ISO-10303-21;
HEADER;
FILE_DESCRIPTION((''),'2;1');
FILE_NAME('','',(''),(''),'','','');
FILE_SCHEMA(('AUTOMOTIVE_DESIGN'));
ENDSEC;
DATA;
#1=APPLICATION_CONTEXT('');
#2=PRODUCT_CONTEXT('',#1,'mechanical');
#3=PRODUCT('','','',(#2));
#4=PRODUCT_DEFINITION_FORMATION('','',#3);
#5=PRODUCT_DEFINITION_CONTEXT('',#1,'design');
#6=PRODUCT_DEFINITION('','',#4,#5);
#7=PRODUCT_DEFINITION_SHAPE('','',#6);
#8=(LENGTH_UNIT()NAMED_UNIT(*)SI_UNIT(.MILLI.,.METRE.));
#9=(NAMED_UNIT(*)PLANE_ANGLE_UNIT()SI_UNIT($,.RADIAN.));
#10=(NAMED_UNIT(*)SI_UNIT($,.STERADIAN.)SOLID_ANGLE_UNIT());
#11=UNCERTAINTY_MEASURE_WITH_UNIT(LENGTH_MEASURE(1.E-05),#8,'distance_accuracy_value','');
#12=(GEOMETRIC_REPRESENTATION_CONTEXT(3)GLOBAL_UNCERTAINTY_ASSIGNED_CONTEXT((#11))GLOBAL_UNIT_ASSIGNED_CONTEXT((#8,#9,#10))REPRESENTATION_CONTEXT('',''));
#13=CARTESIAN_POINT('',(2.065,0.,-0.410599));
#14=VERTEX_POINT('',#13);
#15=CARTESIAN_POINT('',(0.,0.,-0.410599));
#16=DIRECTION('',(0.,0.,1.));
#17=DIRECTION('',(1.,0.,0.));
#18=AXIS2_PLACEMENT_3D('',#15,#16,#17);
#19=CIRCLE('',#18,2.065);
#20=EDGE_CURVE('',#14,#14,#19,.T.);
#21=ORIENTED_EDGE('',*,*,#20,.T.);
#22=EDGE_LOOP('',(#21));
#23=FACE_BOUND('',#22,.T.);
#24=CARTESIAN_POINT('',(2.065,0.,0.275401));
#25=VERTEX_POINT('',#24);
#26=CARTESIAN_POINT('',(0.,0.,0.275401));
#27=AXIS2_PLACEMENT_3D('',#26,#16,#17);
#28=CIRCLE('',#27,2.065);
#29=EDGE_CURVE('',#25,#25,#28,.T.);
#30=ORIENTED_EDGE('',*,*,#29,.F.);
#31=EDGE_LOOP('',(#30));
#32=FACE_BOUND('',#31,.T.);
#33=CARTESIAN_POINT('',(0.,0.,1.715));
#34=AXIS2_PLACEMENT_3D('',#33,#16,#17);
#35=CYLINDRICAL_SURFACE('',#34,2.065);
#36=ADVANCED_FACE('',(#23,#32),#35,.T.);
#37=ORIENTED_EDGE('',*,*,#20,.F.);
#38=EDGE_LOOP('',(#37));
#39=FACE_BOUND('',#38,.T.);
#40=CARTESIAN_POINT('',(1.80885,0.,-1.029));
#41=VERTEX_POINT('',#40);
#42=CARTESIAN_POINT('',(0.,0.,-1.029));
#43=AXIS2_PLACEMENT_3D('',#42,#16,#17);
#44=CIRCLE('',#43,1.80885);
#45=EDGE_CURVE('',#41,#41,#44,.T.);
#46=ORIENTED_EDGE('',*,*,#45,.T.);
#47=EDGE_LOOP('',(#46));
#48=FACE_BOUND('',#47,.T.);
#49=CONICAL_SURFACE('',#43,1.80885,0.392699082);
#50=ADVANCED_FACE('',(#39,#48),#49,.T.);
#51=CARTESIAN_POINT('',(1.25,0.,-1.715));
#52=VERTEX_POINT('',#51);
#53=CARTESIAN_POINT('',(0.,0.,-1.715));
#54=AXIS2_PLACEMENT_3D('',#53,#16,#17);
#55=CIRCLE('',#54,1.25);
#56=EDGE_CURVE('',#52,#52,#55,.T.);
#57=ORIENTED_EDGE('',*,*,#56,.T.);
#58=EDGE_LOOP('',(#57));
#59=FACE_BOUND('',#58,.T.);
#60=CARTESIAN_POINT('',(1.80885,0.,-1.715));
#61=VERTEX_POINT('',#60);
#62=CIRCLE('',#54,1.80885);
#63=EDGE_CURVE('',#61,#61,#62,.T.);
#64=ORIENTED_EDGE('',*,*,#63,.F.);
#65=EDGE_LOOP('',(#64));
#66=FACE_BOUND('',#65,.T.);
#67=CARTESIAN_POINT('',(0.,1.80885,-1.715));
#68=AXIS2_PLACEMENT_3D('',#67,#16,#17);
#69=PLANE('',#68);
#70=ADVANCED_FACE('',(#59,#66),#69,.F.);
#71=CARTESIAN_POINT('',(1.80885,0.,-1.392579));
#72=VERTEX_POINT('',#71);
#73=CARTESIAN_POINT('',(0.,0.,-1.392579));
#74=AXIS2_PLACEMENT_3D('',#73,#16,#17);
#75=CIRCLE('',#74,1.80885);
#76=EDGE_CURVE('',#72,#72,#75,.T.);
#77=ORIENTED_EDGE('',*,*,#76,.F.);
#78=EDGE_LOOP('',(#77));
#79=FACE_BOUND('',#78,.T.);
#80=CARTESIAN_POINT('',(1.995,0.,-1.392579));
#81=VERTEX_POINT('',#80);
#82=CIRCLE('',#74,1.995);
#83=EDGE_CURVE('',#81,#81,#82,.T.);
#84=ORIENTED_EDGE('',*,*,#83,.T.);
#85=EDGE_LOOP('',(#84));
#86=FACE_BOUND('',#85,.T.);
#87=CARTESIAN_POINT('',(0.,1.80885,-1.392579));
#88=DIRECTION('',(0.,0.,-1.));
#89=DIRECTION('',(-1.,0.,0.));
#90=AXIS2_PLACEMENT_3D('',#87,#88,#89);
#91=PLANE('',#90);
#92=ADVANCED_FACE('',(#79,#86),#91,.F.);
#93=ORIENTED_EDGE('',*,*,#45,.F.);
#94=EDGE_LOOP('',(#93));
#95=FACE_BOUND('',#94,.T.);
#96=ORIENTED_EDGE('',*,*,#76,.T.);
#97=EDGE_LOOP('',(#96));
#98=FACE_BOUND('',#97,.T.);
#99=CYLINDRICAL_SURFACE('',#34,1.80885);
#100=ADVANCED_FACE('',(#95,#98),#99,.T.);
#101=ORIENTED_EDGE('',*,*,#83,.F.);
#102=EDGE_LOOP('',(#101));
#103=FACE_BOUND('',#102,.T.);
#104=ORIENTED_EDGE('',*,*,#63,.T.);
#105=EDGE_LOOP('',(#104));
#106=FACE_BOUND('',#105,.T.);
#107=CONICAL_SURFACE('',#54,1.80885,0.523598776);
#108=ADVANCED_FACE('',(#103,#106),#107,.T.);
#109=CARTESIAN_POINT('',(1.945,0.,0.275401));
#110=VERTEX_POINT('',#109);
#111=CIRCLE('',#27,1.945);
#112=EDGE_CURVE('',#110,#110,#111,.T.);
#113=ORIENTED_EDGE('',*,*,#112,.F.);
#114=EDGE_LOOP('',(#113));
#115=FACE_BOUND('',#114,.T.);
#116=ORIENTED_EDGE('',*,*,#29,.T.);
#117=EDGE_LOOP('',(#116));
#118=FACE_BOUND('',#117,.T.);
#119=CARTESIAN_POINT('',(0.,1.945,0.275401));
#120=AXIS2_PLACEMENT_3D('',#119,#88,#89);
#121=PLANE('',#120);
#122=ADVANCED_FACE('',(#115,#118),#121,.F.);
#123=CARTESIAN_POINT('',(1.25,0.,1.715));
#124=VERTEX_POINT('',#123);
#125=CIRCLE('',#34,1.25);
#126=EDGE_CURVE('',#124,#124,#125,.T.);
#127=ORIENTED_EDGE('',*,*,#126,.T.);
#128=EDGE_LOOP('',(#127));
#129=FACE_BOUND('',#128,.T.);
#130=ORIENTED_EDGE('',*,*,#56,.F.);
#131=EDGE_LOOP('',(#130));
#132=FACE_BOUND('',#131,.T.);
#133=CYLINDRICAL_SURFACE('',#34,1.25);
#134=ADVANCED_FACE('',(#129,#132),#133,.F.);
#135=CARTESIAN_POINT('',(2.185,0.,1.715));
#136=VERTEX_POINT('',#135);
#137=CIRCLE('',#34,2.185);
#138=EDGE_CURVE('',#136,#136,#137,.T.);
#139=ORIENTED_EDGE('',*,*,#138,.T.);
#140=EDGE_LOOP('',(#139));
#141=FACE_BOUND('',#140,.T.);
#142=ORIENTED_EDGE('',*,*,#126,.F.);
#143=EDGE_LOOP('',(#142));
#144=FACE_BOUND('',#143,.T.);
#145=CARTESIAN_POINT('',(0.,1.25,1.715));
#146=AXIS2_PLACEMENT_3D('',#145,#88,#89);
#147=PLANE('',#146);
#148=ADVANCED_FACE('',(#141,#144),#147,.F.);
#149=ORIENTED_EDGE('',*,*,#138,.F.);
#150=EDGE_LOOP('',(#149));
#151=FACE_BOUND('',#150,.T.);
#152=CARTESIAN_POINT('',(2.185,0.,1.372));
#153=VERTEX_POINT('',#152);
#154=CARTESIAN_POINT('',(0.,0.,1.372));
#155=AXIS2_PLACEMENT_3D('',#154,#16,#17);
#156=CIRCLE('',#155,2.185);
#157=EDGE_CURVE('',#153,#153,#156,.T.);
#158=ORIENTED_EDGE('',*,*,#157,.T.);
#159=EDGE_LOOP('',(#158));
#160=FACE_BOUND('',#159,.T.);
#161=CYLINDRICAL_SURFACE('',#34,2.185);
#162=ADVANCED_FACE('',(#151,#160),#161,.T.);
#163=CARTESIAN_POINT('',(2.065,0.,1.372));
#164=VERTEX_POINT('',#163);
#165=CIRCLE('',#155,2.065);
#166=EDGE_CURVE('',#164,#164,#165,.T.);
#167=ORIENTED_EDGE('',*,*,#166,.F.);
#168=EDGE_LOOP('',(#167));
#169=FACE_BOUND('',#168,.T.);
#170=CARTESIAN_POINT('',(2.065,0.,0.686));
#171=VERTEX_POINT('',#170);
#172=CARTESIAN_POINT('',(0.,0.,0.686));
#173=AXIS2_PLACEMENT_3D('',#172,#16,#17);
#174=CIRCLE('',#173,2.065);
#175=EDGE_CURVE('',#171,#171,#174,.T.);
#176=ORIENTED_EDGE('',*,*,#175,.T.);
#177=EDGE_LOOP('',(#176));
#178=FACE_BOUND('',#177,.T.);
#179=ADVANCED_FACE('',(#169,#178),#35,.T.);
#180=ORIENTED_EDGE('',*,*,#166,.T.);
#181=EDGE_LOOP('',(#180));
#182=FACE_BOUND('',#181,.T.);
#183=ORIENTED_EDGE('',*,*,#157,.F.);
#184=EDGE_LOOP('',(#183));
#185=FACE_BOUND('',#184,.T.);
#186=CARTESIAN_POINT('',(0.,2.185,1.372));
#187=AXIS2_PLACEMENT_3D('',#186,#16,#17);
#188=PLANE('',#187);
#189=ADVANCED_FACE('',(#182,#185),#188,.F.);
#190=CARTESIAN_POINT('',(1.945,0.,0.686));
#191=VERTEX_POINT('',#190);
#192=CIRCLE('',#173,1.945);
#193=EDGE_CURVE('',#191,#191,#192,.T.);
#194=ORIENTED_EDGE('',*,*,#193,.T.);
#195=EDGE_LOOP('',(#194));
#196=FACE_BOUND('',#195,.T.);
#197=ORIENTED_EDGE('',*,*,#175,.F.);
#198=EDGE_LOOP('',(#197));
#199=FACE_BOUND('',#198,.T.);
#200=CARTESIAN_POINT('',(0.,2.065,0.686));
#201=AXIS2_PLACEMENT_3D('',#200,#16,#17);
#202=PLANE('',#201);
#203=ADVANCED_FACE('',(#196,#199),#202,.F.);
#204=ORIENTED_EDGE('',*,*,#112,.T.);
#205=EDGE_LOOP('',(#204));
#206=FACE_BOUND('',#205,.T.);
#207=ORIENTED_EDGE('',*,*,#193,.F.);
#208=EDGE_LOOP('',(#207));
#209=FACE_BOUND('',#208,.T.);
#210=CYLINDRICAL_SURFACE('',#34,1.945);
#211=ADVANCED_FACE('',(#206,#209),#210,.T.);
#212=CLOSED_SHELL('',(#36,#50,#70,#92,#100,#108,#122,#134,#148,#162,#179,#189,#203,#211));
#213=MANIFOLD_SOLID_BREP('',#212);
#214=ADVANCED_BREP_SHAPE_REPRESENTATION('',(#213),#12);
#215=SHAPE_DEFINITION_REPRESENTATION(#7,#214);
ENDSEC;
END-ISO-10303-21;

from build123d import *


with BuildPart() as part:
    # Sketch3 → Revolve1 (revolve)
    with BuildSketch(Plane(origin=(0, 0, 0), x_dir=(0, 0, -1), z_dir=(1, 0, 0))):
        Polygon((-1.715, 1.25), (-1.715, 2.185), (-1.372, 2.185), (-1.372, 2.065), (-0.686, 2.065), (-0.686, 1.945), (-0.275400804, 1.945), (-0.275400804, 2.065), (0.410599196, 2.065), (1.029, 1.80885), (1.392578742, 1.80885), (1.392578742, 1.995), (1.715, 1.80885), (1.715, 1.25), align=None)
    revolve(axis=Axis((0, 0, 1.715), (0, 0, -1)))


solid = part.part
